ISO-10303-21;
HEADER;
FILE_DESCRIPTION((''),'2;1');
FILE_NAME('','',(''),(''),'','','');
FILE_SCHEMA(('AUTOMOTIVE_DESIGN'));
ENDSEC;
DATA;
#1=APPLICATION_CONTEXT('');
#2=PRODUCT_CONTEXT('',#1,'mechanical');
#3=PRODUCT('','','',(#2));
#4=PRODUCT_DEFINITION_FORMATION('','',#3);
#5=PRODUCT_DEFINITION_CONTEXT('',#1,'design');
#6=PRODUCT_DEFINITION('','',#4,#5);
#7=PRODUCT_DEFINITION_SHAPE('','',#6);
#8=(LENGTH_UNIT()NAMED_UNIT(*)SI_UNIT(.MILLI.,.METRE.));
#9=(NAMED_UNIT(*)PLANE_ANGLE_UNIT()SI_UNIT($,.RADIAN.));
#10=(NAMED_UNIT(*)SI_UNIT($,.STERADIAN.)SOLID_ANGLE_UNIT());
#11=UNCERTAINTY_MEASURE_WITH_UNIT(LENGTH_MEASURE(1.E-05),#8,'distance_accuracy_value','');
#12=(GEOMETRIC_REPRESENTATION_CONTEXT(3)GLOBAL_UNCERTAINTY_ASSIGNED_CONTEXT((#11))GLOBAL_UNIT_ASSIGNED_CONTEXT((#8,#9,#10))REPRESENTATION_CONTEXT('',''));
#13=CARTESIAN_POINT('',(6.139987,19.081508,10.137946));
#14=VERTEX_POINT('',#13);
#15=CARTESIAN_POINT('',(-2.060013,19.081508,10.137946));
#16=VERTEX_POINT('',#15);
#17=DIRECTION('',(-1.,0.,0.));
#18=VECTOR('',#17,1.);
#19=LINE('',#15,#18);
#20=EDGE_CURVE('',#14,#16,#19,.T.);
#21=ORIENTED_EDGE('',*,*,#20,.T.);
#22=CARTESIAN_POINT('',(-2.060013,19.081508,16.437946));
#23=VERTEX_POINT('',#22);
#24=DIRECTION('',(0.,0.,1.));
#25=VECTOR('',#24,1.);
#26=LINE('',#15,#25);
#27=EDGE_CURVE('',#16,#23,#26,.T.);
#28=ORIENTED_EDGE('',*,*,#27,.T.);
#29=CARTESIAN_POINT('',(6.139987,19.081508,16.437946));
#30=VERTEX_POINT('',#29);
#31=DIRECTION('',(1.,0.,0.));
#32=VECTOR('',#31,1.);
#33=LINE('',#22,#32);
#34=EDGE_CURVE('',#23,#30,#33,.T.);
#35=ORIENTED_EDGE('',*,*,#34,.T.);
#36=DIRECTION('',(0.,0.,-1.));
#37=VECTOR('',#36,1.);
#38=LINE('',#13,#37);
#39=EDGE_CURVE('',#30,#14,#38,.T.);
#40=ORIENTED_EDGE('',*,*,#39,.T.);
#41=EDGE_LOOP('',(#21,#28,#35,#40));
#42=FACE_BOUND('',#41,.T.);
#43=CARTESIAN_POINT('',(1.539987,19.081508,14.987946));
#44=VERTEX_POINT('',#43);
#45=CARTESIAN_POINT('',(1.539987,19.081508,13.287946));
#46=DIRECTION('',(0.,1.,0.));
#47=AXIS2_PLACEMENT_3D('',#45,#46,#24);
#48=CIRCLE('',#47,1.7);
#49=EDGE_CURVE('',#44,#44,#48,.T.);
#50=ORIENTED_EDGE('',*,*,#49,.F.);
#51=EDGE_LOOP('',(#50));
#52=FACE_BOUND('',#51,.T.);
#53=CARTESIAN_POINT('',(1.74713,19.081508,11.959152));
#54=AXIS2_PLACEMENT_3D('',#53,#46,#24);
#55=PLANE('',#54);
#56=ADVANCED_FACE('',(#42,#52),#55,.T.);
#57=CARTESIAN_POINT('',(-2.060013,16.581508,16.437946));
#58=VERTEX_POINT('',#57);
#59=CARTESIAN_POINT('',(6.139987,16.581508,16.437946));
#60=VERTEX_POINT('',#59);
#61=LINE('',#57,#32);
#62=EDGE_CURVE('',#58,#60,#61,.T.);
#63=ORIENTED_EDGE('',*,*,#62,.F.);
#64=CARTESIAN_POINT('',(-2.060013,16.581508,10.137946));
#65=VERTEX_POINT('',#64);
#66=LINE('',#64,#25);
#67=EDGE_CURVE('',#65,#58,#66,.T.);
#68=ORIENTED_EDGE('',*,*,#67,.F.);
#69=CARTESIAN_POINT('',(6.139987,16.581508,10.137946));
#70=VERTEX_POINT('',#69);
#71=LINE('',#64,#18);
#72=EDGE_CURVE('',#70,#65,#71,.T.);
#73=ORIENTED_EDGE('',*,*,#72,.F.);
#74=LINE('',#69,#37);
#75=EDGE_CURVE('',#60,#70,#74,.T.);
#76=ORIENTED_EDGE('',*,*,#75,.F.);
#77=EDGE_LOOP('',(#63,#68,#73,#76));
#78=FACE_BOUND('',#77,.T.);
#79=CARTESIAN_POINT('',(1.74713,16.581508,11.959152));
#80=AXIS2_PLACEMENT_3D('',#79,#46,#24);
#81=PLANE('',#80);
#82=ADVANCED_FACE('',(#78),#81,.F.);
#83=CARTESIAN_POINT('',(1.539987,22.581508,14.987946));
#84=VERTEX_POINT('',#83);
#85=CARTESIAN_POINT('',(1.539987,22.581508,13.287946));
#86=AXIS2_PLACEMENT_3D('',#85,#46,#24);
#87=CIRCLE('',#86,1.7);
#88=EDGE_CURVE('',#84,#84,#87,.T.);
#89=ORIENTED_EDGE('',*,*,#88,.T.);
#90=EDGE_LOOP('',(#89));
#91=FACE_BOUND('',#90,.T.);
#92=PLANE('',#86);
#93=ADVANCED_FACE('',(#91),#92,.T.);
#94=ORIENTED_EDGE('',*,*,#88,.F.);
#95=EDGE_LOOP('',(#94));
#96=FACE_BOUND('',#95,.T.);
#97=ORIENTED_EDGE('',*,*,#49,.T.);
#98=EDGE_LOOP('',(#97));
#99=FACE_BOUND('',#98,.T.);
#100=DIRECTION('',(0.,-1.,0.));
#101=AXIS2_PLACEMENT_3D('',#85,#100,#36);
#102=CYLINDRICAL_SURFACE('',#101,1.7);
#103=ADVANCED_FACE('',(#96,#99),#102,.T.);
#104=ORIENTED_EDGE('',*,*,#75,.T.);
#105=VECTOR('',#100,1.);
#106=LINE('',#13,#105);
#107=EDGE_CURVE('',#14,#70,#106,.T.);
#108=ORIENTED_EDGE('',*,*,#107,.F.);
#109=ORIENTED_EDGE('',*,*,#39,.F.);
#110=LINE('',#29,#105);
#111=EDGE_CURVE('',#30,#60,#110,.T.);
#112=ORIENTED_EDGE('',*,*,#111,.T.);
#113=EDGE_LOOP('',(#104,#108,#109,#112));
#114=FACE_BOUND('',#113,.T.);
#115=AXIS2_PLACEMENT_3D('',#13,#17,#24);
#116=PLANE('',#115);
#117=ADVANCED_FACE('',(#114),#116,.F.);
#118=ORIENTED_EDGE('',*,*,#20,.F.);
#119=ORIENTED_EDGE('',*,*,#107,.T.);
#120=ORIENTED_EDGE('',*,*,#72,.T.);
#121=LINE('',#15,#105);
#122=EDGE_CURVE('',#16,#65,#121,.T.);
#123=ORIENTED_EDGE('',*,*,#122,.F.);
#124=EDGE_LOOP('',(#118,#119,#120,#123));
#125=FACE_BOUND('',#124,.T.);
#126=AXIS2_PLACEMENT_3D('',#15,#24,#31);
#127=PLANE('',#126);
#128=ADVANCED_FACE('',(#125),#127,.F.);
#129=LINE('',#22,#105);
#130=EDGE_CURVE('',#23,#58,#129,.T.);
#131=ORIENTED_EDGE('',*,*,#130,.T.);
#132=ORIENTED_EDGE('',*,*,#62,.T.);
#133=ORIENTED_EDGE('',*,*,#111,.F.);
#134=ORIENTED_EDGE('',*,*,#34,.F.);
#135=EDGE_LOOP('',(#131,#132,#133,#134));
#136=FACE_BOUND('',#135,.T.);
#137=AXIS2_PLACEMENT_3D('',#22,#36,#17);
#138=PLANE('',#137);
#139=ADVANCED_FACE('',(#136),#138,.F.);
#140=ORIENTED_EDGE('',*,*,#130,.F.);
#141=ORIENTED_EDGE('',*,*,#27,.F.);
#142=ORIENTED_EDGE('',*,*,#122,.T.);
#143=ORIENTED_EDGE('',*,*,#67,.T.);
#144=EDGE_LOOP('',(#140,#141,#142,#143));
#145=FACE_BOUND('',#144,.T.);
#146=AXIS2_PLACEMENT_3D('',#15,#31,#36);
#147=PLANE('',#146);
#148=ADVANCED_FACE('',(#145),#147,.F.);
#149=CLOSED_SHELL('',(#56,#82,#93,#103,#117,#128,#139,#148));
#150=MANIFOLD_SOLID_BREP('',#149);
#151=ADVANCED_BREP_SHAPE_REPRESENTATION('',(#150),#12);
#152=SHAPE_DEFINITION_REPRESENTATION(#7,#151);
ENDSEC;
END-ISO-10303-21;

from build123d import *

# Parameters (mm, degrees)
SKETCH1_W           = 82
SKETCH1_H           = 63
BOSS_EXTRUDE1_DEPTH = 25
SKETCH2_R           = 17
BOSS_EXTRUDE2_DEPTH = 35
SCALE1_SCALE        = 0.1


with BuildPart() as part:
    # Sketch1 → Boss-Extrude1 (new body)
    with BuildSketch(Plane(origin=(0, 0, 0), x_dir=(1, 0, 0), z_dir=(0, 1, 0))):
        with Locations((2.928571429, -13.287946429)):
            Rectangle(SKETCH1_W, SKETCH1_H)
    extrude(amount=BOSS_EXTRUDE1_DEPTH)

    # Sketch2 → Boss-Extrude2 (add)
    with BuildSketch(Plane(origin=(0, 25, 0), x_dir=(1, 0, 0), z_dir=(0, 1, 0))):
        with Locations(Location((-2.071428571, -13.287946429, 0), (0, 0, 270))):
            Circle(SKETCH2_R)
    extrude(amount=BOSS_EXTRUDE2_DEPTH)


with BuildPart() as part_1:
    # Scale1: scaled about (1.941255183, 18.423897472, 13.287946429)
    add(part.part.scale(SCALE1_SCALE).moved(Location((1.747129665, 16.581507725, 11.959151786))))


solid = part_1.part
